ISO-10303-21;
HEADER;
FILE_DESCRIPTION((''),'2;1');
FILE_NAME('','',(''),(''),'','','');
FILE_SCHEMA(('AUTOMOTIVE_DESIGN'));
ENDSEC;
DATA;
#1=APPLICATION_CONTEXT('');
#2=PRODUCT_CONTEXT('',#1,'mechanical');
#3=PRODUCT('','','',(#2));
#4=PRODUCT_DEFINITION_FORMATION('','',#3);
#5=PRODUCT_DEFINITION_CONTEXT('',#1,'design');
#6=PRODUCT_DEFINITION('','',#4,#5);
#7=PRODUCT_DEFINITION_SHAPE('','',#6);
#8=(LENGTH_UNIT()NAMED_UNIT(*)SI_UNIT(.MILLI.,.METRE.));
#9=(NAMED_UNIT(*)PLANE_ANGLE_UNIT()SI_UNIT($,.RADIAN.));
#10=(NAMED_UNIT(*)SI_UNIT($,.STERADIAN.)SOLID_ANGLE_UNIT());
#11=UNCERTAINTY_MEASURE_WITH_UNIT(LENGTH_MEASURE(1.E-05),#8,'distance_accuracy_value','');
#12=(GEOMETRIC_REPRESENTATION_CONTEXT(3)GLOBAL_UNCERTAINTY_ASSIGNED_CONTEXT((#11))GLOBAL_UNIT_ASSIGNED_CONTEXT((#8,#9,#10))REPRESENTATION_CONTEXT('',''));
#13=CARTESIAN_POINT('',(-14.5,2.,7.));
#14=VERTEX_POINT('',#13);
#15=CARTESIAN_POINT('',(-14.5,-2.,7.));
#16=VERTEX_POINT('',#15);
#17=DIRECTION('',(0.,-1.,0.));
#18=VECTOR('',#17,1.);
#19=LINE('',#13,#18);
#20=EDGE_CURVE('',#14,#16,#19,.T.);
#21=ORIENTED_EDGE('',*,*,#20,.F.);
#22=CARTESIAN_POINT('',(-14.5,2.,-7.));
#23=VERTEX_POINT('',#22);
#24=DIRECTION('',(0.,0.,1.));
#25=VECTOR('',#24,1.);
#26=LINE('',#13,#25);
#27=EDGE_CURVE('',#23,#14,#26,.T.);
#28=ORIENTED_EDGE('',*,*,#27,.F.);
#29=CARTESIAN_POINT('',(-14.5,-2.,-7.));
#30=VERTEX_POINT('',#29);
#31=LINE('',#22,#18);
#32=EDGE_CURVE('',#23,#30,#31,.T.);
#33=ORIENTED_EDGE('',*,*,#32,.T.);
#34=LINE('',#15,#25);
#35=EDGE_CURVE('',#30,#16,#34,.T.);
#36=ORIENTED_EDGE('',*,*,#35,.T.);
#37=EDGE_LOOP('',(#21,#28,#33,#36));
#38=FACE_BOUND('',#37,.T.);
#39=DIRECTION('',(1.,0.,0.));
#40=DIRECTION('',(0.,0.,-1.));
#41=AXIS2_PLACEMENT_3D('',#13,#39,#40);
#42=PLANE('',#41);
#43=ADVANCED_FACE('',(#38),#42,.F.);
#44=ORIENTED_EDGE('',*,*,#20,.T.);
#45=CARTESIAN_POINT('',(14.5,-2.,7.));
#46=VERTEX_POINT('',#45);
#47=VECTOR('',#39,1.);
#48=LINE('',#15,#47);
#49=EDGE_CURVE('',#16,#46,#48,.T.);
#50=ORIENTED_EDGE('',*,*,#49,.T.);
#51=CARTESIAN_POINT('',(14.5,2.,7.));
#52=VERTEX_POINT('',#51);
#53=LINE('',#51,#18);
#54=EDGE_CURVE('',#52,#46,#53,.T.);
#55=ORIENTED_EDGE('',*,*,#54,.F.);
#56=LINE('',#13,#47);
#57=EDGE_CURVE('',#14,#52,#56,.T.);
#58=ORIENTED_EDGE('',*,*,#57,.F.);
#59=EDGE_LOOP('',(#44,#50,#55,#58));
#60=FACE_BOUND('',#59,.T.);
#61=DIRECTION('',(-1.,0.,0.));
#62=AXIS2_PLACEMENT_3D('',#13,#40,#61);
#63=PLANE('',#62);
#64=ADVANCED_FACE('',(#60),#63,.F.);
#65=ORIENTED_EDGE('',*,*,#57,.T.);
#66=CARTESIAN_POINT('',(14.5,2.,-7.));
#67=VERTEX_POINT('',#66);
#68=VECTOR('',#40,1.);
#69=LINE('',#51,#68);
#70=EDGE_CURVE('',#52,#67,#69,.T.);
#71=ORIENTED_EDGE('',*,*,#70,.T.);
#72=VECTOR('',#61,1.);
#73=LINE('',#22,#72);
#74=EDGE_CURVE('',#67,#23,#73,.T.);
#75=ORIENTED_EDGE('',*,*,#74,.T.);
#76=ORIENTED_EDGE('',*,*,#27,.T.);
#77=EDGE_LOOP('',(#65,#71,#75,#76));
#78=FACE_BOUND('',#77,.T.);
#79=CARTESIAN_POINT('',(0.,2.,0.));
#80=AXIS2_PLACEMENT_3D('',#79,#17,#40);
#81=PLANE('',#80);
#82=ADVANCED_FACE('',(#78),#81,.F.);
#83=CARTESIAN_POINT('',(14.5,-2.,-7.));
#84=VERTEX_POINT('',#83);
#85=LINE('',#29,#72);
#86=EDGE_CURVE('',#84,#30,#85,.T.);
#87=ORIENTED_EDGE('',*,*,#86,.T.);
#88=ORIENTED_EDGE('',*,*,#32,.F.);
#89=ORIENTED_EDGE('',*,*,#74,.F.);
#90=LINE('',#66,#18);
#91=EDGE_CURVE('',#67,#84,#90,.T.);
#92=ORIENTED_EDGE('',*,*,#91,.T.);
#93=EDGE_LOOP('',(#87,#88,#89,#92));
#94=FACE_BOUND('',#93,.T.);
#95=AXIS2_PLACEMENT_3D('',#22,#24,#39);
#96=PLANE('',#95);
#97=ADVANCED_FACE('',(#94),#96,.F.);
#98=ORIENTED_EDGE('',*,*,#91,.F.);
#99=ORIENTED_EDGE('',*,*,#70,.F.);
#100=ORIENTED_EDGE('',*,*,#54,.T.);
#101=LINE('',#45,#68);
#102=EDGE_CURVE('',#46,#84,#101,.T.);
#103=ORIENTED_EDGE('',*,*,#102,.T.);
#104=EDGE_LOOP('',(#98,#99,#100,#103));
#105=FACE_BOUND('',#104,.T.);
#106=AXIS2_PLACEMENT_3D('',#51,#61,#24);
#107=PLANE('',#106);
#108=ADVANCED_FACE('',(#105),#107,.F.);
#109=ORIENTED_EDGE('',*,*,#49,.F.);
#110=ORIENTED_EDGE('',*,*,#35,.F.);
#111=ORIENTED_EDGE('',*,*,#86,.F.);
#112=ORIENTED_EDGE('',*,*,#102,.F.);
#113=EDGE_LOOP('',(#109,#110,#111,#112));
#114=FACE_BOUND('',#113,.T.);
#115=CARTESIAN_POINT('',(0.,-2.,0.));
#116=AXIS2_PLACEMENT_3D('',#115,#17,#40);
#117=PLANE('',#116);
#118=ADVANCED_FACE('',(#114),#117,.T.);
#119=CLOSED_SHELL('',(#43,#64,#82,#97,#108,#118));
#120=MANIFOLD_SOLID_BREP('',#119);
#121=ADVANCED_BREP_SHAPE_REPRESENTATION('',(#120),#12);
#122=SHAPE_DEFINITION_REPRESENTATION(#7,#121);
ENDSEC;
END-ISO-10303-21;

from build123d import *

# Parameters (mm, degrees)
SKETCH1_W           = 29
SKETCH1_H           = 14
BOSS_EXTRUDE1_DEPTH = 2


with BuildPart() as part:
    # Sketch1 → Boss-Extrude1 (new body, symmetric)
    with BuildSketch(Plane(origin=(0, 0, 0), x_dir=(1, 0, 0), z_dir=(0, 1, 0))):
        Rectangle(SKETCH1_W, SKETCH1_H)
    extrude(amount=BOSS_EXTRUDE1_DEPTH, both=True)


solid = part.part
